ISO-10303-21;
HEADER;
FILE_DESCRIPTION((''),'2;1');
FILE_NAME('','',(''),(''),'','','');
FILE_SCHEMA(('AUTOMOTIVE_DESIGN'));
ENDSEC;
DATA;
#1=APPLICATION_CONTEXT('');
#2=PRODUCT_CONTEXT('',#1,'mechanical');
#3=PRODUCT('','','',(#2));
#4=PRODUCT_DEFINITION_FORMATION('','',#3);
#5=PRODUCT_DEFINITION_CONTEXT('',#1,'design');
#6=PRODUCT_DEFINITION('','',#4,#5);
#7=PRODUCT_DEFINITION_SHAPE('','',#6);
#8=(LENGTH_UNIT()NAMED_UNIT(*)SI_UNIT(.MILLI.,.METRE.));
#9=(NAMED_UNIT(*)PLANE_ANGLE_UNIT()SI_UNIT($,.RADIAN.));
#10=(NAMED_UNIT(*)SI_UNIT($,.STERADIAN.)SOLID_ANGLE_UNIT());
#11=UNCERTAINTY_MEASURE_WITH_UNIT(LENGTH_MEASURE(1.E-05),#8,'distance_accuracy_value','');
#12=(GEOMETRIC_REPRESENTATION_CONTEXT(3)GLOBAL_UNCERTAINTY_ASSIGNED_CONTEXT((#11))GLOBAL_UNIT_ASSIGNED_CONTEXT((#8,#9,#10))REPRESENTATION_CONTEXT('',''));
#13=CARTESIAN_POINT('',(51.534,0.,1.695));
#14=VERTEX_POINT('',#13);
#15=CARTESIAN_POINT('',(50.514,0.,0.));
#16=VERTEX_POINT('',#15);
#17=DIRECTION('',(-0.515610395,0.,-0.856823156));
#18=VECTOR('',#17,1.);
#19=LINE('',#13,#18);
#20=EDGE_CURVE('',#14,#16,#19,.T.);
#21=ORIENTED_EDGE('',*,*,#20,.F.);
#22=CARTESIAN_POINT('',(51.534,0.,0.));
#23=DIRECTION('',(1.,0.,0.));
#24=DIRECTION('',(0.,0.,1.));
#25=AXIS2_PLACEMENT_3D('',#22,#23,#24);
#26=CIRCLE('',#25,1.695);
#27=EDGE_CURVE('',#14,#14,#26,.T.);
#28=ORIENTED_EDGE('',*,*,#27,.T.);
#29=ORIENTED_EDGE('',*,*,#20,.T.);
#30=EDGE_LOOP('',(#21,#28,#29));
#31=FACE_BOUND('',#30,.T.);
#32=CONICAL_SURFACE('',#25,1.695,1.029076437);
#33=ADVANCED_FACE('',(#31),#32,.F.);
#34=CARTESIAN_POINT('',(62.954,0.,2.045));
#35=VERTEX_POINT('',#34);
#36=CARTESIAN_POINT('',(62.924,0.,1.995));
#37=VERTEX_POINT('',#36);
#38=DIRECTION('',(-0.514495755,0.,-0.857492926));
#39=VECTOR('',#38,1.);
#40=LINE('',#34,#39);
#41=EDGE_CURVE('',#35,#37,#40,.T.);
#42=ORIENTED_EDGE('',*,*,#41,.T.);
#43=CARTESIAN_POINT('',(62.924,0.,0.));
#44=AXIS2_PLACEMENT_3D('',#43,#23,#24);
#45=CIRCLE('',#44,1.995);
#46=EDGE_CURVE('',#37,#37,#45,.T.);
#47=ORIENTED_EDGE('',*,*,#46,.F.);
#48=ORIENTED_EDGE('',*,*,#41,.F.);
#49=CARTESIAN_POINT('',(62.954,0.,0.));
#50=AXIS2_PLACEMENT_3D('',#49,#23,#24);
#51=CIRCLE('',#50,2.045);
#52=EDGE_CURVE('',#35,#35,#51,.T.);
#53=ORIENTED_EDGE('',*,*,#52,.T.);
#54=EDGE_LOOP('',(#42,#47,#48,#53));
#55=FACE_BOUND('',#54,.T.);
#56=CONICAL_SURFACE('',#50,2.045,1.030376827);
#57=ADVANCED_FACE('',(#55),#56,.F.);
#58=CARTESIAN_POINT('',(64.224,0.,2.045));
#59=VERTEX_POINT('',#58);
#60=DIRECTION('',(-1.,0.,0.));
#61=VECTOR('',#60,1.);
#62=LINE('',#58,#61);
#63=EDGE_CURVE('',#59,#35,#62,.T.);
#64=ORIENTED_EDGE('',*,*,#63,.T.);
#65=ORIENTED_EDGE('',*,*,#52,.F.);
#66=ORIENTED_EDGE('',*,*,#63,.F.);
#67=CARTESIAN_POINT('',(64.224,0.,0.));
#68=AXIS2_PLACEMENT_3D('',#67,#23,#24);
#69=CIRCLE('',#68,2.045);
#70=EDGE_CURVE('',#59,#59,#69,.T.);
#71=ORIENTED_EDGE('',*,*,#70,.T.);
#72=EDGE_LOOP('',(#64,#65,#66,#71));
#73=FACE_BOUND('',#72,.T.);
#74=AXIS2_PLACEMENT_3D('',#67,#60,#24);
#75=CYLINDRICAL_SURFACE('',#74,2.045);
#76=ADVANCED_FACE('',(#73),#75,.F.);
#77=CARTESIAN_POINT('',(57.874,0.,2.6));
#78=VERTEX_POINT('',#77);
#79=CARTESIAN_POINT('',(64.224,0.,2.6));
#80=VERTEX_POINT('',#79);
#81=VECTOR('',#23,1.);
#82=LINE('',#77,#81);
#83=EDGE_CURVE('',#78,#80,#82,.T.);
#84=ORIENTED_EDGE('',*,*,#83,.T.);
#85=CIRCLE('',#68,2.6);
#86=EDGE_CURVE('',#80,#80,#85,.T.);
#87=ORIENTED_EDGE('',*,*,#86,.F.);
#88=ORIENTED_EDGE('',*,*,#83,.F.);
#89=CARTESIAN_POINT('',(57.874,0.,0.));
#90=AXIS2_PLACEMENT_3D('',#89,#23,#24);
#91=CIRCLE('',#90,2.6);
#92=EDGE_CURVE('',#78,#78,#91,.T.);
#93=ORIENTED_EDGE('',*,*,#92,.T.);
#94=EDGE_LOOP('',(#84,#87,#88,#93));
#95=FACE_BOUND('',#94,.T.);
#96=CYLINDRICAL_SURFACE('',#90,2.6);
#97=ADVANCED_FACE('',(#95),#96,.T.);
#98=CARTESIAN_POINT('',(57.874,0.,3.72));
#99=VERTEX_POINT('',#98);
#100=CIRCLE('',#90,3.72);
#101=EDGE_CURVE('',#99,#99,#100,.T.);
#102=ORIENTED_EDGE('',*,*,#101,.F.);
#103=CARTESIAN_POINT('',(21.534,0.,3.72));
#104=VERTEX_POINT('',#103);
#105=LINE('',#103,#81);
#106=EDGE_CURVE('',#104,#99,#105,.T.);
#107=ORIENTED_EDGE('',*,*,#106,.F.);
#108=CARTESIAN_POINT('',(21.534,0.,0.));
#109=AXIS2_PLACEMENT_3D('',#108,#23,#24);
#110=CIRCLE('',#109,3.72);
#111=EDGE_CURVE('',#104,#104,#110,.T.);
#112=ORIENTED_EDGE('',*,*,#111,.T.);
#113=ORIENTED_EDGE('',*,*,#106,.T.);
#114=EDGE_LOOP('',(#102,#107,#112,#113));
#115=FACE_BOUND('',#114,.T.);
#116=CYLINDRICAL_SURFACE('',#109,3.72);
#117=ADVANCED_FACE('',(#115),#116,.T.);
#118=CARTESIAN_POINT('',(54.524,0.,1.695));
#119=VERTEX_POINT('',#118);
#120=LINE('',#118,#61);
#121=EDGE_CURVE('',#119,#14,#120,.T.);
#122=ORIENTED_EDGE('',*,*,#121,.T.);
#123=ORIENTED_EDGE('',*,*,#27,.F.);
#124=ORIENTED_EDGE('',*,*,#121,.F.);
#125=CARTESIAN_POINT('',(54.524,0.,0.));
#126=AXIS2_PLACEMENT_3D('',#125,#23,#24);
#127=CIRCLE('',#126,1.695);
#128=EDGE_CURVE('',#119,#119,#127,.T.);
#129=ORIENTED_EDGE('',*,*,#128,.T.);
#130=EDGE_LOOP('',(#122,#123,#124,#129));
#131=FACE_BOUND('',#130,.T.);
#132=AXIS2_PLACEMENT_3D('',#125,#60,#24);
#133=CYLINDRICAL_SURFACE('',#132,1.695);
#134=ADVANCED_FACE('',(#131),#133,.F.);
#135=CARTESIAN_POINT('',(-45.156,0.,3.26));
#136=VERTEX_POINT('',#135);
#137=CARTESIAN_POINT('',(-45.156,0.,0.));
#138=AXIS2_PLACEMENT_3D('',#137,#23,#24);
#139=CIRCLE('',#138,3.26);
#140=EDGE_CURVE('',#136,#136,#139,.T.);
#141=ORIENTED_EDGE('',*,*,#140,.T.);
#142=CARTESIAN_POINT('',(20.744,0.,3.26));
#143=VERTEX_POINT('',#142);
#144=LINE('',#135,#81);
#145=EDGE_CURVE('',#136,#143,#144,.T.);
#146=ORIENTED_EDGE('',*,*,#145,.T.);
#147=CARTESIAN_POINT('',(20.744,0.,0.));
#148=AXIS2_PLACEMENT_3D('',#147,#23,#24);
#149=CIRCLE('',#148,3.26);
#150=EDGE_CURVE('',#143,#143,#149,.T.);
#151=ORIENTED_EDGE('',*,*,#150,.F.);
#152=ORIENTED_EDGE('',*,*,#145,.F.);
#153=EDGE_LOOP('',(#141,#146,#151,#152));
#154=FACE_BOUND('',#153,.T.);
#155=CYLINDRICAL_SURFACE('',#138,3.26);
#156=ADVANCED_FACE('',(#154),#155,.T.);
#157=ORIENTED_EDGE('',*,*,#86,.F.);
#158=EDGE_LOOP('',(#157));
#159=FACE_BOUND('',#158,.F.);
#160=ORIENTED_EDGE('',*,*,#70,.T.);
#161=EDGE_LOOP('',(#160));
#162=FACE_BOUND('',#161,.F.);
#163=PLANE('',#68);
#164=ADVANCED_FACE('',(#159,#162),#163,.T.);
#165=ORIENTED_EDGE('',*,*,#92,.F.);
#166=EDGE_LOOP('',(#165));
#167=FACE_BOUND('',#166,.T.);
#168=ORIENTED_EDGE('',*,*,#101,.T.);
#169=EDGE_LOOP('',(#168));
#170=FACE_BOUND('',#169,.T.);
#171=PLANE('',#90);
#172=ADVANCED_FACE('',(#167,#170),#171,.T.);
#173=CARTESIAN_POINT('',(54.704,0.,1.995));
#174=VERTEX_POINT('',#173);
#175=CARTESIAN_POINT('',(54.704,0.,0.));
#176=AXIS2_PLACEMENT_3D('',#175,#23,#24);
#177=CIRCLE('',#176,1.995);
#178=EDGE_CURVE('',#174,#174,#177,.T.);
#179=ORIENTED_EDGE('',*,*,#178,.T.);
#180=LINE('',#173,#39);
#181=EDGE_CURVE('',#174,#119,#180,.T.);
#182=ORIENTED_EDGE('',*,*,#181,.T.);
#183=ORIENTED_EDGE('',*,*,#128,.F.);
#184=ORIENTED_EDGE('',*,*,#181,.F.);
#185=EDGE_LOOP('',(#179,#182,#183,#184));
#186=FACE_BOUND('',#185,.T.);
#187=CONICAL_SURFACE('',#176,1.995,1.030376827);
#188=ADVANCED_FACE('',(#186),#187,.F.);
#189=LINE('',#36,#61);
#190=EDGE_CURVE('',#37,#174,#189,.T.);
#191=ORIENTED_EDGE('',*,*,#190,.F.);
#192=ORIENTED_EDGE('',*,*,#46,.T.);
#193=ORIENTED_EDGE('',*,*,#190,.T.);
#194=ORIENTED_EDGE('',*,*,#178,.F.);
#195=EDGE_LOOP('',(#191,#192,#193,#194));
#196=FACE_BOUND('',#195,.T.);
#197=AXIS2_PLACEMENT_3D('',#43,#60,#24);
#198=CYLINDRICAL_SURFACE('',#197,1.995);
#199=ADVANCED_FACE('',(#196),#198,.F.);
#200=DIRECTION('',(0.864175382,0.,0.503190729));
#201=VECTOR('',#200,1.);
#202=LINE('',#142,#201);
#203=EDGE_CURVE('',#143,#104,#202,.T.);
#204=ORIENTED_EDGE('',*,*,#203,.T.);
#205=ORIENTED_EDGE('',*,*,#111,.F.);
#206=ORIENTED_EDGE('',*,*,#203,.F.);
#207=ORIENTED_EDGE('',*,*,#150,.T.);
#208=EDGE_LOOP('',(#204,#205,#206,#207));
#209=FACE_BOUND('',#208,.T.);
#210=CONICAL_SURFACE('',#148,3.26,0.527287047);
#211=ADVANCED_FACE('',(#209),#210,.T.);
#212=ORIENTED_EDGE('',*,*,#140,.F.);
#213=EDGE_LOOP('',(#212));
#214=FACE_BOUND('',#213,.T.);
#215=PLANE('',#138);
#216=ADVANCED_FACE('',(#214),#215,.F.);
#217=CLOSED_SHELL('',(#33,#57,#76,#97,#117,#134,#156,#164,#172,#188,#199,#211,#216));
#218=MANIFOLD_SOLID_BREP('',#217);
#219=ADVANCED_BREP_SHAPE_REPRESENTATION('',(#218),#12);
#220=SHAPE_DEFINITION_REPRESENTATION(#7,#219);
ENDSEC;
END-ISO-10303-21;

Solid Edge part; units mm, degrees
sketch "Sketch1" plane through (0, 0, 0) normal (0, -1, 0) x (1, 0, 0)
  line L0 (21.534, 3.72) -> (57.874, 3.72)
  line L1 (57.874, 3.72) -> (57.874, 2.6)
  line L2 (57.874, 2.6) -> (64.224, 2.6)
  line L3 (64.224, 0) -> (64.224, 2.6)
  line L4 (0, 0) -> (64.224, 0)
  line L5 (0, 0) -> (-45.156, 0)
  line L6 (-45.156, 0) -> (-45.156, 3.26)
  line L7 (-45.156, 3.26) -> (20.744, 3.26)
  line L8 (20.744, 3.26) -> (21.534, 3.72)
revolve "RevolvedProtrusion1" add sketch "Sketch1" angle 360 about axis through (0, 0, 0) along (1, 0, 0)
sketch "Sketch2" plane through (0, 0, 0) normal (0, -1, 0) x (1, 0, 0)
  line L0 (62.924, 1.995) -> (54.704, 1.995)
  line L1 (54.704, 1.995) -> (54.524, 1.695)
  line L2 (54.524, 1.695) -> (51.534, 1.695)
  line L3 (51.534, 1.695) -> (50.514, 0)
  line L4 (50.514, 0) -> (64.224, 0)
  line L5 (64.224, 0) -> (64.224, 2.045)
  line L6 (64.224, 2.045) -> (62.954, 2.045)
  line L7 (62.954, 2.045) -> (62.924, 1.995)
revolve "RevolvedCutout1" cut sketch "Sketch2" angle 360 about axis through (21.534, 0, 0) along (1, 0, 0)
